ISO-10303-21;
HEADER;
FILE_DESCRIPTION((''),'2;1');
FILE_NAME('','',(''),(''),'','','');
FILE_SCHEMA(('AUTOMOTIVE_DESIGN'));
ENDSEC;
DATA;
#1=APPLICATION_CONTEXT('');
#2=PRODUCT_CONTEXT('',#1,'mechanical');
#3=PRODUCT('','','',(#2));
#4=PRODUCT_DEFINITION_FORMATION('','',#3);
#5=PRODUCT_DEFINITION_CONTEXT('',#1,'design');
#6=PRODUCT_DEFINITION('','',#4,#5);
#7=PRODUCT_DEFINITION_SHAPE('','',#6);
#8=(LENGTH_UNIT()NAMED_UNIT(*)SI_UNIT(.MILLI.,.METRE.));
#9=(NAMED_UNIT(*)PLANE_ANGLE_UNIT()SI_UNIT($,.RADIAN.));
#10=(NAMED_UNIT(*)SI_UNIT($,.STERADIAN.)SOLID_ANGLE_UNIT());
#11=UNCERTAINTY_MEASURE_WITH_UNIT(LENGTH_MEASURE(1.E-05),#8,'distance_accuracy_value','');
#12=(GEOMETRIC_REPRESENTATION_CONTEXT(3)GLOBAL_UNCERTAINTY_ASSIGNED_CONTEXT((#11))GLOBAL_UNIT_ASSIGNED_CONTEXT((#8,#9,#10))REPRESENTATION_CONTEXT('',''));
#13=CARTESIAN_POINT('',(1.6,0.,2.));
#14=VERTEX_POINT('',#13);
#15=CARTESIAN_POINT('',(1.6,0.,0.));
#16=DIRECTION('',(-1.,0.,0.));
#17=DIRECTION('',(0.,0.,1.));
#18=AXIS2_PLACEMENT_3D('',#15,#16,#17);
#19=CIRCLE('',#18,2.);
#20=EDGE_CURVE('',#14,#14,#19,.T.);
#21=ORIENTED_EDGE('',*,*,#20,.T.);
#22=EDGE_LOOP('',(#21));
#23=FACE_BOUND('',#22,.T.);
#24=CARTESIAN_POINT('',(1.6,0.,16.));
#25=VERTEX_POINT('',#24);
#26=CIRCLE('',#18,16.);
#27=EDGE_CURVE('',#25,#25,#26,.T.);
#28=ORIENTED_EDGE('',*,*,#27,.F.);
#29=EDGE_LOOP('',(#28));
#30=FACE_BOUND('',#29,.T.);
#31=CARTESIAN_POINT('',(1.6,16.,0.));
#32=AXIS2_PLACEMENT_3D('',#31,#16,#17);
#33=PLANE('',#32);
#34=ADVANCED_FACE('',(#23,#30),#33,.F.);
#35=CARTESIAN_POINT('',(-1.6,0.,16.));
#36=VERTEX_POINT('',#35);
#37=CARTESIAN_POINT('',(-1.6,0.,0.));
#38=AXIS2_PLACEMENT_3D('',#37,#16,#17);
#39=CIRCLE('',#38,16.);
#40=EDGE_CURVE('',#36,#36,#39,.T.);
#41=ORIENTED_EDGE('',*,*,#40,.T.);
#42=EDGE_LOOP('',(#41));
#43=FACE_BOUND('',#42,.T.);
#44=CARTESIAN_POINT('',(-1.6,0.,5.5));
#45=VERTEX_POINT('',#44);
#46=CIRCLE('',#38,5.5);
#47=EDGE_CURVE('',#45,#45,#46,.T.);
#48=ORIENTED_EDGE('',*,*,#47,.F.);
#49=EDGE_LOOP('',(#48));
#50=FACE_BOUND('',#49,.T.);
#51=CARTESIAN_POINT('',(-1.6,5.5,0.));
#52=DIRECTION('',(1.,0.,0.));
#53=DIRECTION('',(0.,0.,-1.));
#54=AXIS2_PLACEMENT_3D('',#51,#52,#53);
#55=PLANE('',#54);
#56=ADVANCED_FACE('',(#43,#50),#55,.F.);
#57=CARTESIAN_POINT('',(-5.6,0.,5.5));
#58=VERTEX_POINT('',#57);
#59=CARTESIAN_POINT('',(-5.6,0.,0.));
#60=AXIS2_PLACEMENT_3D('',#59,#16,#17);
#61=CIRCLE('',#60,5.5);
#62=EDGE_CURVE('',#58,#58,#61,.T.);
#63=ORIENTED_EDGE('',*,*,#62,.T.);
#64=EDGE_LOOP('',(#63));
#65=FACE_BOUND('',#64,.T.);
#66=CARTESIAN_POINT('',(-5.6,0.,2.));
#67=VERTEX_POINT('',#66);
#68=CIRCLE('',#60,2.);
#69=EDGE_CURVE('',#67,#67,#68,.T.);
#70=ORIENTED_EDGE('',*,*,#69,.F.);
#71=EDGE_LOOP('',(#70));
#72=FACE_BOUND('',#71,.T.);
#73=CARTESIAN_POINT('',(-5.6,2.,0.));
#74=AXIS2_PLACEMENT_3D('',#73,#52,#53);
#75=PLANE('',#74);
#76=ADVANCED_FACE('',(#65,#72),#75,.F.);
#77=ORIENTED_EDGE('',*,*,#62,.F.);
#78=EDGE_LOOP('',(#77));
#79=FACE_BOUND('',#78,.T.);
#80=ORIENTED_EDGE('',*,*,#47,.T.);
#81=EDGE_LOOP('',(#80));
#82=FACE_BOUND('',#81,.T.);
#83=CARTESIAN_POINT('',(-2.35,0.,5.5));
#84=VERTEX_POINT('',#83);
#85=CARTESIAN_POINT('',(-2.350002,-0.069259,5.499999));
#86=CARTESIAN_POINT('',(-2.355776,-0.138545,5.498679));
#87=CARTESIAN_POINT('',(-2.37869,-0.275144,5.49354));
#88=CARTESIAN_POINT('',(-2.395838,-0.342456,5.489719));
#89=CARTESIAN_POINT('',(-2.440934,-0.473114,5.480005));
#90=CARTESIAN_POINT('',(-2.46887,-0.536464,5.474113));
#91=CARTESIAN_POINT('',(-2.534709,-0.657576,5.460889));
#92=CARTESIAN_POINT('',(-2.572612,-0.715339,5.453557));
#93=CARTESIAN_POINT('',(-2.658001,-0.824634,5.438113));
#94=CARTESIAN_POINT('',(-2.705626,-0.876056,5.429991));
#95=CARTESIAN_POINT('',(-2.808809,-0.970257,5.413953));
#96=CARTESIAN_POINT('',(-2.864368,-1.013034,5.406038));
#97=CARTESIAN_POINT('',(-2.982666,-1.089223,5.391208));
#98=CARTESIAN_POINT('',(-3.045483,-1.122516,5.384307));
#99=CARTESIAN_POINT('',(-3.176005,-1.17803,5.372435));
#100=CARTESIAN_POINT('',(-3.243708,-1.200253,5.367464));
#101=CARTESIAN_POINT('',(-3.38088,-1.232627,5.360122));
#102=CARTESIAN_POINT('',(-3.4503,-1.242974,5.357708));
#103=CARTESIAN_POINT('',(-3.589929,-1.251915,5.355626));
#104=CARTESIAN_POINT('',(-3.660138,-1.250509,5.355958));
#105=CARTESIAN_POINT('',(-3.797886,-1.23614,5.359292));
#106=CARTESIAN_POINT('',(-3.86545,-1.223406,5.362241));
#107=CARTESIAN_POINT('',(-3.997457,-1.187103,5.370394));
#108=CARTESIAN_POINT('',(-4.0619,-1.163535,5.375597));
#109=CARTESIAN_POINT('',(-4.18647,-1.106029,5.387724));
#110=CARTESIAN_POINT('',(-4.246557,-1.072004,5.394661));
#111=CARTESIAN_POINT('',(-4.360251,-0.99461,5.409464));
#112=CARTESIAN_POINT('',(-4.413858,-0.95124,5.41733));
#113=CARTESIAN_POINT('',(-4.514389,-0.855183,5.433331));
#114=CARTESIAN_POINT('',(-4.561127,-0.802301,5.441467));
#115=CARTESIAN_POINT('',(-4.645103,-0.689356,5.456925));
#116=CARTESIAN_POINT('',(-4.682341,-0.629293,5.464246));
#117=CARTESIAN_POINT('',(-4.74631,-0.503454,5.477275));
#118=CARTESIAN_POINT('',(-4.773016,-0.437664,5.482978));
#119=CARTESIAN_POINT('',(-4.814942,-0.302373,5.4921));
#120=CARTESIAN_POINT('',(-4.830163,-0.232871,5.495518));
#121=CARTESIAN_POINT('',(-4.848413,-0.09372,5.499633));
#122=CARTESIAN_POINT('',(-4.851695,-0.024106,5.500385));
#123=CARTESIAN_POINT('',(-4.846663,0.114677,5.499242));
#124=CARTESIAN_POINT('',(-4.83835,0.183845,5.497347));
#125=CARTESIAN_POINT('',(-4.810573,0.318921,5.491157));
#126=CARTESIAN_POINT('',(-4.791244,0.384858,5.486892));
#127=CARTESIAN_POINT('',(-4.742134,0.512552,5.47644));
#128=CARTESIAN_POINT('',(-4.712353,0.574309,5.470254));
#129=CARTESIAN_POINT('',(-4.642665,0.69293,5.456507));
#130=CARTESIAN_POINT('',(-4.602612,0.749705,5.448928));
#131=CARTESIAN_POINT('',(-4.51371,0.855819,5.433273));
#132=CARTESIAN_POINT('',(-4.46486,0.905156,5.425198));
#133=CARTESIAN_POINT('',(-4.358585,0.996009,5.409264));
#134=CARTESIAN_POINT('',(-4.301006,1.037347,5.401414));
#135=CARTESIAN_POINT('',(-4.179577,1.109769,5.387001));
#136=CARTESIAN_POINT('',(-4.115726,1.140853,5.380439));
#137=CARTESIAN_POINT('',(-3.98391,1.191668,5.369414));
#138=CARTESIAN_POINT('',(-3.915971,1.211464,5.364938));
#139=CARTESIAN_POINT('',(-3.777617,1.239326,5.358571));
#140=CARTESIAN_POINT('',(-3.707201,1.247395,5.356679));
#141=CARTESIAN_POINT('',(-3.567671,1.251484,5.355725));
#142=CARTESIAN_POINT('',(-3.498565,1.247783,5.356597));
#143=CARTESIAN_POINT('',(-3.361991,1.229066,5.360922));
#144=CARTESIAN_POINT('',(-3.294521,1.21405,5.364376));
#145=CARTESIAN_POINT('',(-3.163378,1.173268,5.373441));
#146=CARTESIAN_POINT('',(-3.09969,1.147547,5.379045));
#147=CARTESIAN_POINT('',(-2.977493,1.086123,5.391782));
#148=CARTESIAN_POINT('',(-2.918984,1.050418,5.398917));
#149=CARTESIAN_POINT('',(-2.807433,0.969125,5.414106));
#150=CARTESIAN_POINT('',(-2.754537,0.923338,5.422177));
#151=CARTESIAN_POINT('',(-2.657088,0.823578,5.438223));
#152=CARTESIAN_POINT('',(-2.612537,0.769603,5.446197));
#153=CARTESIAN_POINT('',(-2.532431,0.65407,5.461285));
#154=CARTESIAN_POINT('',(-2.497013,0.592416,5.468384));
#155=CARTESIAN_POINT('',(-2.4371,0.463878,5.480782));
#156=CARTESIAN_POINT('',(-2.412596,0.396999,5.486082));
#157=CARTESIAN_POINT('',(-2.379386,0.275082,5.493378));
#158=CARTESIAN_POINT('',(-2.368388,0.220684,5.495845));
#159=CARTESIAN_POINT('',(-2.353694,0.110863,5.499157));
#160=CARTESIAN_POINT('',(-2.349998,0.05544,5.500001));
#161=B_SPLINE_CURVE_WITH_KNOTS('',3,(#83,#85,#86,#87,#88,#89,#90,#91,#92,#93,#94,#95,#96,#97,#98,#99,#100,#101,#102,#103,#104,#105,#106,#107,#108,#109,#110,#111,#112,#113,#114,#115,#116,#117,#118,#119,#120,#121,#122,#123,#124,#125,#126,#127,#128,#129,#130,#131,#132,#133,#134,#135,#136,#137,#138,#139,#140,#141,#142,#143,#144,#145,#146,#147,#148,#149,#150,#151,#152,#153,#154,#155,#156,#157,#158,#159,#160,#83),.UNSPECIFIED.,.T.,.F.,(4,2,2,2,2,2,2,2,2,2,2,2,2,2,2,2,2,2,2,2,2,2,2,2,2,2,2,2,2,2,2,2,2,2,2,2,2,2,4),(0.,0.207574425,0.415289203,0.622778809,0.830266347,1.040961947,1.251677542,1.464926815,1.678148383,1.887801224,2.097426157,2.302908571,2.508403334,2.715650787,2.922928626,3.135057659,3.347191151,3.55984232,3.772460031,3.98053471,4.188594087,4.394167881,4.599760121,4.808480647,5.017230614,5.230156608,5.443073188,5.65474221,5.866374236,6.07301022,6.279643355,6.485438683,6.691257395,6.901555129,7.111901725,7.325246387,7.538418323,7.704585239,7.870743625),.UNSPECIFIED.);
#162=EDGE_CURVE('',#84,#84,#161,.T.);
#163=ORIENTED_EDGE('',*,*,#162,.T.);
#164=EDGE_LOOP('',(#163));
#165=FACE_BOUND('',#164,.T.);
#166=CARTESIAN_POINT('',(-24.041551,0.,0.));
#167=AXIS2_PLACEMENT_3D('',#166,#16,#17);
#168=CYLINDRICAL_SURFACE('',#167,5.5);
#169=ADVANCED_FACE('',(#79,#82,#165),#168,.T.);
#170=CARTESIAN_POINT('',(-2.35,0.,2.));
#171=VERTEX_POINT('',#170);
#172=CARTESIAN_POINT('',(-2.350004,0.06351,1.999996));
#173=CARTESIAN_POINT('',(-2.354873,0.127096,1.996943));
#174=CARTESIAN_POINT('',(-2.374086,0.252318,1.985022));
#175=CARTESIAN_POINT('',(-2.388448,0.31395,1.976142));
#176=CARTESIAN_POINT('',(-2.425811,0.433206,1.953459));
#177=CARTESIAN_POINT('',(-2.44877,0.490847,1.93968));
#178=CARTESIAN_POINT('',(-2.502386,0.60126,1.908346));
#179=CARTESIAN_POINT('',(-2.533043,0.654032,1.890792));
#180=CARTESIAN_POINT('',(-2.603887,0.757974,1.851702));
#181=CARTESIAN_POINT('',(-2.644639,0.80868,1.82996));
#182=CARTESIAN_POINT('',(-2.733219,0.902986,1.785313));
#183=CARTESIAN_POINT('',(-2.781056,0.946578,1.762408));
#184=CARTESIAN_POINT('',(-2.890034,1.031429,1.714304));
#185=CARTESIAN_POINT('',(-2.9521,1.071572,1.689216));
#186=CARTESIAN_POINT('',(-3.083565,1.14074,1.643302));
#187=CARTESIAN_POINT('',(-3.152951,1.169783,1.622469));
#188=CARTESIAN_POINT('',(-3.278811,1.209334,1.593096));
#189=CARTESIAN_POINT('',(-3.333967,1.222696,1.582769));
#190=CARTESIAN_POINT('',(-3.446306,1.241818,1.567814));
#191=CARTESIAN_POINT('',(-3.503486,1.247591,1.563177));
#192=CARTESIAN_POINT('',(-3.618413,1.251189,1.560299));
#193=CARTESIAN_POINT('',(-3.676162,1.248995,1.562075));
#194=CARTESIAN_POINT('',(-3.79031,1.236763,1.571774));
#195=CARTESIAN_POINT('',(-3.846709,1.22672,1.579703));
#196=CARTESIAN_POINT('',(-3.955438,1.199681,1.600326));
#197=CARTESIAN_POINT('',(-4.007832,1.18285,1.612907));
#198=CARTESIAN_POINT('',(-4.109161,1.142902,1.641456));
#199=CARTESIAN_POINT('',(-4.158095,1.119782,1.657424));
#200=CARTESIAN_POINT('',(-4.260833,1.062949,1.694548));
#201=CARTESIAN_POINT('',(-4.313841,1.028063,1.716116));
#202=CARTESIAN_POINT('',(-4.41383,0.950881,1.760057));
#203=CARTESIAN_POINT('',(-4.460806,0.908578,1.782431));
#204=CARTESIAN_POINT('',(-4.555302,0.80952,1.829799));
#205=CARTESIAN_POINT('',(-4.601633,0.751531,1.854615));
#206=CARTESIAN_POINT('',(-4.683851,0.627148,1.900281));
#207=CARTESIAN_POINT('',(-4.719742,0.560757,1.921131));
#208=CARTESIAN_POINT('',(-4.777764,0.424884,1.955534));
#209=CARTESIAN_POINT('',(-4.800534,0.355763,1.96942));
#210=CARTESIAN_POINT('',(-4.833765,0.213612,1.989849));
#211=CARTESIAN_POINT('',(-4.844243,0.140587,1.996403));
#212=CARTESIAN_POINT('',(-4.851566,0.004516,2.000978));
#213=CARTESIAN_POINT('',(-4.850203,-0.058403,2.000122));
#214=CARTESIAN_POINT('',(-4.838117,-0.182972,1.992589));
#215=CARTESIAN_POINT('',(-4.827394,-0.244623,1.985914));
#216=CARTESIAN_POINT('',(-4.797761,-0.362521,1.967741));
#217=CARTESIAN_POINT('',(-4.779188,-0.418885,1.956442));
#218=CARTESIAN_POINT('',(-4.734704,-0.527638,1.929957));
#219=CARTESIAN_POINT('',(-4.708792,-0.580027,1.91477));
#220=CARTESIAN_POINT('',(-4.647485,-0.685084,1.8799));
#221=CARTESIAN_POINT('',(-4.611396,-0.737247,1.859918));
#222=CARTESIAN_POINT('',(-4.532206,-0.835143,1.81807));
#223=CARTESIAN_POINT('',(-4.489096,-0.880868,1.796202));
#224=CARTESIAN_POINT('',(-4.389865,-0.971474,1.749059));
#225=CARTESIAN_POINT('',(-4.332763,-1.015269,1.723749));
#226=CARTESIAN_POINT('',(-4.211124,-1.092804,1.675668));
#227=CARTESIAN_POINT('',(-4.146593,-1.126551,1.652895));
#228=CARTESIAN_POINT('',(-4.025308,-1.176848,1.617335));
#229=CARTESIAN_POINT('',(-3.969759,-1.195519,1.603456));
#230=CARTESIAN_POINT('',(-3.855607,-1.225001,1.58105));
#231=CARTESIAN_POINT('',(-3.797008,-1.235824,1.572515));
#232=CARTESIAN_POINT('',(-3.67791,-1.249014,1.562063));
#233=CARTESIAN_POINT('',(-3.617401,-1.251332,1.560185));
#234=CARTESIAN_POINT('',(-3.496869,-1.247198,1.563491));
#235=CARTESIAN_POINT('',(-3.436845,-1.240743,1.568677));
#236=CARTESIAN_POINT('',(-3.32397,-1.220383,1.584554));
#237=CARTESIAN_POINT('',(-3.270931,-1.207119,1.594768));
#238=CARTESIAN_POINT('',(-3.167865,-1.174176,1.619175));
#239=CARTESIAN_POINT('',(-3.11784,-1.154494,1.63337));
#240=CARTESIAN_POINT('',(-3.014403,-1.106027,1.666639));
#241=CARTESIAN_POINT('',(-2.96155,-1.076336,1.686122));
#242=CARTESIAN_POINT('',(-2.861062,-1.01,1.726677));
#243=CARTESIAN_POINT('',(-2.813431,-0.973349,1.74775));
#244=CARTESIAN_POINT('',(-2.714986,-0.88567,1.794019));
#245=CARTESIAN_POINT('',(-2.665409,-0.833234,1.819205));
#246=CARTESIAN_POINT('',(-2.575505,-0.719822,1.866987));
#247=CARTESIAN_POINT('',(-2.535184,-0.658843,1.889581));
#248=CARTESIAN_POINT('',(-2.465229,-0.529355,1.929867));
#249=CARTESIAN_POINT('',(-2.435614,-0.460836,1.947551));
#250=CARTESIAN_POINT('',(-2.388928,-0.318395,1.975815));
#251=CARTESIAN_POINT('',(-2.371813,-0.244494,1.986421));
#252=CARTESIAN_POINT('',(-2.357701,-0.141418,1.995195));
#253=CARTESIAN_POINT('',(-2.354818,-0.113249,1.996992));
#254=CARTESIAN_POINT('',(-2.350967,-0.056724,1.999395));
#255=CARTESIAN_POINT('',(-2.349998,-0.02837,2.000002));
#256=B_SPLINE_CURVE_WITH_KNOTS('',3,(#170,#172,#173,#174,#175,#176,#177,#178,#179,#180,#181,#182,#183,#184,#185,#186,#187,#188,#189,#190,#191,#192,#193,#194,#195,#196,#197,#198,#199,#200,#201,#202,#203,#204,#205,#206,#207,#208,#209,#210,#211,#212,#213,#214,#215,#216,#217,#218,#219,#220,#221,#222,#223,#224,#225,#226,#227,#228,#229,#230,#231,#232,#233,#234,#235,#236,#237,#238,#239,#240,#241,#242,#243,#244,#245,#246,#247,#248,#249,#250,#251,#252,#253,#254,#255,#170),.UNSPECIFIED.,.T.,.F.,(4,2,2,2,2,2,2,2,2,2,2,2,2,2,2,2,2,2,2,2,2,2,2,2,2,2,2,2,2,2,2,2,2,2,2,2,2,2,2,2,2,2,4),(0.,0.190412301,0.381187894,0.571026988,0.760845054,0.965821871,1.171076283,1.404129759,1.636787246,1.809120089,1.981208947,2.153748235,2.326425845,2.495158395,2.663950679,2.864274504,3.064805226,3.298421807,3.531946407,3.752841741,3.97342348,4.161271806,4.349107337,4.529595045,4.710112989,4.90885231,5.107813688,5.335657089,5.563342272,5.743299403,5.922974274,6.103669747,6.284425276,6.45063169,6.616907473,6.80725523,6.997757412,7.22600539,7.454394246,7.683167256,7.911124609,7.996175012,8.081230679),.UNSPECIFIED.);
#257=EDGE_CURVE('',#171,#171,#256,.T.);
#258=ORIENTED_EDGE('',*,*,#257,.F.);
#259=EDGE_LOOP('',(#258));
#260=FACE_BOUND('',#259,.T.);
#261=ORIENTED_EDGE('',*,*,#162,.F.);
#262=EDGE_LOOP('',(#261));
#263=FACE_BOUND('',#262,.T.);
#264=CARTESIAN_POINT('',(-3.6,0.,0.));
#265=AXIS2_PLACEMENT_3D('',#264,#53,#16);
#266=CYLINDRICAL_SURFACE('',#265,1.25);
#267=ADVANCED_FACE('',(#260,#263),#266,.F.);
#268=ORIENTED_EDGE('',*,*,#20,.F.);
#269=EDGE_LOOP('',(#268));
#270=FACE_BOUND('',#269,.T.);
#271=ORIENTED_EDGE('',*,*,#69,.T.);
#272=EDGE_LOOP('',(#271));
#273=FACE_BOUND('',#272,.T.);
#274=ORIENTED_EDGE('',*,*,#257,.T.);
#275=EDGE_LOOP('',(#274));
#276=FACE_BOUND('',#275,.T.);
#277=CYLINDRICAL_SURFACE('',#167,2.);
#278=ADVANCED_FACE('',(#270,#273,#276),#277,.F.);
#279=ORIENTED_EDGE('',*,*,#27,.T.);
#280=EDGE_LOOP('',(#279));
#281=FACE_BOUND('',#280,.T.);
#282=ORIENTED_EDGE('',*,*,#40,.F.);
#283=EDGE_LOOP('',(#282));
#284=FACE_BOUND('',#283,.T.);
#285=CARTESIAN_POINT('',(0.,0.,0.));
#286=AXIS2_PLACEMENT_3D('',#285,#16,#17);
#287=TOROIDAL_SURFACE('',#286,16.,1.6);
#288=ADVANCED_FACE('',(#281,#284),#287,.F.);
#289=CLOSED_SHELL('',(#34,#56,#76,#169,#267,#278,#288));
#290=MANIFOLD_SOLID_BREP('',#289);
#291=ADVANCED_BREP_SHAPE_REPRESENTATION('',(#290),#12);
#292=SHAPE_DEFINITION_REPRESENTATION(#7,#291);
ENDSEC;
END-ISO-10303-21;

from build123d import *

# Parameters (mm, degrees)
ESQUISSE2_W = 1.25
ESQUISSE2_H = 16


with BuildPart() as part:
    # Esquisse1 → Révolution1 (revolve)
    with BuildSketch(Plane.XY, mode=Mode.PRIVATE) as r_volution1_sk:
        with BuildLine():
            Line((-5.6, 2), (-5.6, 5.5))
            Line((-5.6, 5.5), (-1.6, 5.5))
            Line((-1.6, 5.5), (-1.6, 16))
            ThreePointArc((-1.6, 16), (0, 14.4), (1.6, 16))
            Line((1.6, 16), (1.6, 2))
            Line((1.6, 2), (-5.6, 2))
        make_face()
    revolve(r_volution1_sk.sketch.rotate(Axis((-24.04155074, 0, 0), (1, 0, 0)), 90), axis=Axis((-24.04155074, 0, 0), (1, 0, 0)))

    # Esquisse2 → Trou taraudé M3x0.51 (revolve, cut)
    with BuildSketch(Plane.YZ.offset(-3.6)):
        with Locations((0.625, 8)):
            Rectangle(ESQUISSE2_W, ESQUISSE2_H)
    revolve(axis=Axis((-3.6, 0, -6.35), (0, 0, 1)), mode=Mode.SUBTRACT)


solid = part.part
